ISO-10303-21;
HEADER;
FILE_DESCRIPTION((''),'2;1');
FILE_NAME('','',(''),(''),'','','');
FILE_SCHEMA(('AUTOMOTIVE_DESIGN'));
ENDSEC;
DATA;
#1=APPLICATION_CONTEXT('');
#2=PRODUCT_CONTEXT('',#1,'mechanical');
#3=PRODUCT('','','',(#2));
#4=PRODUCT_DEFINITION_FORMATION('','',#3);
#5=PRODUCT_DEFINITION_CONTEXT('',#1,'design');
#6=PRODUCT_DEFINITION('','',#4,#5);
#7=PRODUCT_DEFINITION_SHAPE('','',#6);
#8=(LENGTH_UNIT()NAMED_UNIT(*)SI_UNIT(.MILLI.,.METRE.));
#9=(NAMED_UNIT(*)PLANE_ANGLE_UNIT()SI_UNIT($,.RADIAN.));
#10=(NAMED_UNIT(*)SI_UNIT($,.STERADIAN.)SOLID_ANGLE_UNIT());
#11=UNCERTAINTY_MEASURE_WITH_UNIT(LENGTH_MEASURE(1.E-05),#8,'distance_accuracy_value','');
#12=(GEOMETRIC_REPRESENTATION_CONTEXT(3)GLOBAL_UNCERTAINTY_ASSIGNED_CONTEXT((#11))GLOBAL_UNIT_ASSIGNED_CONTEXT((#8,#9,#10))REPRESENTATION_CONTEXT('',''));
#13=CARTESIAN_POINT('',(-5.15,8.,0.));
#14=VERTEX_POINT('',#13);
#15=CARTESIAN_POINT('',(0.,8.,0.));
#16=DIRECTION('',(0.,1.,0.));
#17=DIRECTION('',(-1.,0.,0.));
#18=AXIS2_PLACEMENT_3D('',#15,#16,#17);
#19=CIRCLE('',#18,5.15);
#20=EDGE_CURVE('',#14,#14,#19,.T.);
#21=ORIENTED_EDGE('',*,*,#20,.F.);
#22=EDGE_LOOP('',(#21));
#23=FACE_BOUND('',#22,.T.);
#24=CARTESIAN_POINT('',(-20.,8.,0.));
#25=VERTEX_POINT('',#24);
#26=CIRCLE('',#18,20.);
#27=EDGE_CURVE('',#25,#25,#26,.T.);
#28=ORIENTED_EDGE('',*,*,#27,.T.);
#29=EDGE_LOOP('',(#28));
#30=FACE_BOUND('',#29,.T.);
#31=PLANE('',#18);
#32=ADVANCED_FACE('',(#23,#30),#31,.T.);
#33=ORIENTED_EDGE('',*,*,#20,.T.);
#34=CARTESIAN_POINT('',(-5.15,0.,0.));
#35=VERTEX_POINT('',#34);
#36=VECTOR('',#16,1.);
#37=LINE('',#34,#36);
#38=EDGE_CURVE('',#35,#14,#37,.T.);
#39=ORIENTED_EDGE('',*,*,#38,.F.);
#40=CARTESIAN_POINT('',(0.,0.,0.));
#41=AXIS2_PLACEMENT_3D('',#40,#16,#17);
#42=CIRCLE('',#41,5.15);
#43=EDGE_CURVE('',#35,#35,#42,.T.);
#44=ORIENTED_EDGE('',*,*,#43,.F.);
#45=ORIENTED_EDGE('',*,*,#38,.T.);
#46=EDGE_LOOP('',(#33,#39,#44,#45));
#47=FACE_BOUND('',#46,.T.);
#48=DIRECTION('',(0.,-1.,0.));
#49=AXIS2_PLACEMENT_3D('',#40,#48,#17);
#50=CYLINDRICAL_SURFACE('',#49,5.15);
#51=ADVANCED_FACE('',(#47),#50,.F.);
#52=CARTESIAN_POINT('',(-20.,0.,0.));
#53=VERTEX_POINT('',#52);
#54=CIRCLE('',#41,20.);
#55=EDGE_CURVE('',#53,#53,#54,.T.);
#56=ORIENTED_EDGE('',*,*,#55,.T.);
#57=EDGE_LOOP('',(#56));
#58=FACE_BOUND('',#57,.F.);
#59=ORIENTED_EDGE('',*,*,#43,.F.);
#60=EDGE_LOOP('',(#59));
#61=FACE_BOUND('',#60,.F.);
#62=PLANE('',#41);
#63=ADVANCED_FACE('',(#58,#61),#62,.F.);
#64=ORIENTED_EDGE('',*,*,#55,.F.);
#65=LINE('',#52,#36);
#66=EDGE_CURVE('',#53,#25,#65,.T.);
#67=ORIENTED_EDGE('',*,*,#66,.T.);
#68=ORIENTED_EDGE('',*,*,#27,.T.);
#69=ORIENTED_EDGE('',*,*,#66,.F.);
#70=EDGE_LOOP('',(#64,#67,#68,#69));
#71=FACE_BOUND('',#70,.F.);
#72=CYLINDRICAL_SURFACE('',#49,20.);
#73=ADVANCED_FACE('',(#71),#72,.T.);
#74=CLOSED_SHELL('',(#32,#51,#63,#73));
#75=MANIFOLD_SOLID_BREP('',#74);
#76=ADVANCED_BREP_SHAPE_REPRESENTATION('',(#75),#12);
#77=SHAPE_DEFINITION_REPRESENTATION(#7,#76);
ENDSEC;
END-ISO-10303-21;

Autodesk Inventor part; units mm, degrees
ref_plane "YZ Plane" through (0, 0, 0) normal (1, 0, 0) x (0, 1, 0)
ref_plane "XZ Plane" through (0, 0, 0) normal (0, 1, 0) x (-1, 0, 0)
ref_plane "XY Plane" through (0, 0, 0) normal (0, 0, 1) x (1, 0, 0)
sketch "Sketch1" plane through (0, 0, 0) normal (0, 1, 0) x (-1, 0, 0)
  circle A0 centre (0, 0) radius 20
  circle A1 centre (0, 0) radius 5.15
  dimension "d0" = 40
  dimension "d1" = 10.3
extrude "Extrusion1" add sketch "Sketch1" along normal blind 8
properties part number "MidRing"
